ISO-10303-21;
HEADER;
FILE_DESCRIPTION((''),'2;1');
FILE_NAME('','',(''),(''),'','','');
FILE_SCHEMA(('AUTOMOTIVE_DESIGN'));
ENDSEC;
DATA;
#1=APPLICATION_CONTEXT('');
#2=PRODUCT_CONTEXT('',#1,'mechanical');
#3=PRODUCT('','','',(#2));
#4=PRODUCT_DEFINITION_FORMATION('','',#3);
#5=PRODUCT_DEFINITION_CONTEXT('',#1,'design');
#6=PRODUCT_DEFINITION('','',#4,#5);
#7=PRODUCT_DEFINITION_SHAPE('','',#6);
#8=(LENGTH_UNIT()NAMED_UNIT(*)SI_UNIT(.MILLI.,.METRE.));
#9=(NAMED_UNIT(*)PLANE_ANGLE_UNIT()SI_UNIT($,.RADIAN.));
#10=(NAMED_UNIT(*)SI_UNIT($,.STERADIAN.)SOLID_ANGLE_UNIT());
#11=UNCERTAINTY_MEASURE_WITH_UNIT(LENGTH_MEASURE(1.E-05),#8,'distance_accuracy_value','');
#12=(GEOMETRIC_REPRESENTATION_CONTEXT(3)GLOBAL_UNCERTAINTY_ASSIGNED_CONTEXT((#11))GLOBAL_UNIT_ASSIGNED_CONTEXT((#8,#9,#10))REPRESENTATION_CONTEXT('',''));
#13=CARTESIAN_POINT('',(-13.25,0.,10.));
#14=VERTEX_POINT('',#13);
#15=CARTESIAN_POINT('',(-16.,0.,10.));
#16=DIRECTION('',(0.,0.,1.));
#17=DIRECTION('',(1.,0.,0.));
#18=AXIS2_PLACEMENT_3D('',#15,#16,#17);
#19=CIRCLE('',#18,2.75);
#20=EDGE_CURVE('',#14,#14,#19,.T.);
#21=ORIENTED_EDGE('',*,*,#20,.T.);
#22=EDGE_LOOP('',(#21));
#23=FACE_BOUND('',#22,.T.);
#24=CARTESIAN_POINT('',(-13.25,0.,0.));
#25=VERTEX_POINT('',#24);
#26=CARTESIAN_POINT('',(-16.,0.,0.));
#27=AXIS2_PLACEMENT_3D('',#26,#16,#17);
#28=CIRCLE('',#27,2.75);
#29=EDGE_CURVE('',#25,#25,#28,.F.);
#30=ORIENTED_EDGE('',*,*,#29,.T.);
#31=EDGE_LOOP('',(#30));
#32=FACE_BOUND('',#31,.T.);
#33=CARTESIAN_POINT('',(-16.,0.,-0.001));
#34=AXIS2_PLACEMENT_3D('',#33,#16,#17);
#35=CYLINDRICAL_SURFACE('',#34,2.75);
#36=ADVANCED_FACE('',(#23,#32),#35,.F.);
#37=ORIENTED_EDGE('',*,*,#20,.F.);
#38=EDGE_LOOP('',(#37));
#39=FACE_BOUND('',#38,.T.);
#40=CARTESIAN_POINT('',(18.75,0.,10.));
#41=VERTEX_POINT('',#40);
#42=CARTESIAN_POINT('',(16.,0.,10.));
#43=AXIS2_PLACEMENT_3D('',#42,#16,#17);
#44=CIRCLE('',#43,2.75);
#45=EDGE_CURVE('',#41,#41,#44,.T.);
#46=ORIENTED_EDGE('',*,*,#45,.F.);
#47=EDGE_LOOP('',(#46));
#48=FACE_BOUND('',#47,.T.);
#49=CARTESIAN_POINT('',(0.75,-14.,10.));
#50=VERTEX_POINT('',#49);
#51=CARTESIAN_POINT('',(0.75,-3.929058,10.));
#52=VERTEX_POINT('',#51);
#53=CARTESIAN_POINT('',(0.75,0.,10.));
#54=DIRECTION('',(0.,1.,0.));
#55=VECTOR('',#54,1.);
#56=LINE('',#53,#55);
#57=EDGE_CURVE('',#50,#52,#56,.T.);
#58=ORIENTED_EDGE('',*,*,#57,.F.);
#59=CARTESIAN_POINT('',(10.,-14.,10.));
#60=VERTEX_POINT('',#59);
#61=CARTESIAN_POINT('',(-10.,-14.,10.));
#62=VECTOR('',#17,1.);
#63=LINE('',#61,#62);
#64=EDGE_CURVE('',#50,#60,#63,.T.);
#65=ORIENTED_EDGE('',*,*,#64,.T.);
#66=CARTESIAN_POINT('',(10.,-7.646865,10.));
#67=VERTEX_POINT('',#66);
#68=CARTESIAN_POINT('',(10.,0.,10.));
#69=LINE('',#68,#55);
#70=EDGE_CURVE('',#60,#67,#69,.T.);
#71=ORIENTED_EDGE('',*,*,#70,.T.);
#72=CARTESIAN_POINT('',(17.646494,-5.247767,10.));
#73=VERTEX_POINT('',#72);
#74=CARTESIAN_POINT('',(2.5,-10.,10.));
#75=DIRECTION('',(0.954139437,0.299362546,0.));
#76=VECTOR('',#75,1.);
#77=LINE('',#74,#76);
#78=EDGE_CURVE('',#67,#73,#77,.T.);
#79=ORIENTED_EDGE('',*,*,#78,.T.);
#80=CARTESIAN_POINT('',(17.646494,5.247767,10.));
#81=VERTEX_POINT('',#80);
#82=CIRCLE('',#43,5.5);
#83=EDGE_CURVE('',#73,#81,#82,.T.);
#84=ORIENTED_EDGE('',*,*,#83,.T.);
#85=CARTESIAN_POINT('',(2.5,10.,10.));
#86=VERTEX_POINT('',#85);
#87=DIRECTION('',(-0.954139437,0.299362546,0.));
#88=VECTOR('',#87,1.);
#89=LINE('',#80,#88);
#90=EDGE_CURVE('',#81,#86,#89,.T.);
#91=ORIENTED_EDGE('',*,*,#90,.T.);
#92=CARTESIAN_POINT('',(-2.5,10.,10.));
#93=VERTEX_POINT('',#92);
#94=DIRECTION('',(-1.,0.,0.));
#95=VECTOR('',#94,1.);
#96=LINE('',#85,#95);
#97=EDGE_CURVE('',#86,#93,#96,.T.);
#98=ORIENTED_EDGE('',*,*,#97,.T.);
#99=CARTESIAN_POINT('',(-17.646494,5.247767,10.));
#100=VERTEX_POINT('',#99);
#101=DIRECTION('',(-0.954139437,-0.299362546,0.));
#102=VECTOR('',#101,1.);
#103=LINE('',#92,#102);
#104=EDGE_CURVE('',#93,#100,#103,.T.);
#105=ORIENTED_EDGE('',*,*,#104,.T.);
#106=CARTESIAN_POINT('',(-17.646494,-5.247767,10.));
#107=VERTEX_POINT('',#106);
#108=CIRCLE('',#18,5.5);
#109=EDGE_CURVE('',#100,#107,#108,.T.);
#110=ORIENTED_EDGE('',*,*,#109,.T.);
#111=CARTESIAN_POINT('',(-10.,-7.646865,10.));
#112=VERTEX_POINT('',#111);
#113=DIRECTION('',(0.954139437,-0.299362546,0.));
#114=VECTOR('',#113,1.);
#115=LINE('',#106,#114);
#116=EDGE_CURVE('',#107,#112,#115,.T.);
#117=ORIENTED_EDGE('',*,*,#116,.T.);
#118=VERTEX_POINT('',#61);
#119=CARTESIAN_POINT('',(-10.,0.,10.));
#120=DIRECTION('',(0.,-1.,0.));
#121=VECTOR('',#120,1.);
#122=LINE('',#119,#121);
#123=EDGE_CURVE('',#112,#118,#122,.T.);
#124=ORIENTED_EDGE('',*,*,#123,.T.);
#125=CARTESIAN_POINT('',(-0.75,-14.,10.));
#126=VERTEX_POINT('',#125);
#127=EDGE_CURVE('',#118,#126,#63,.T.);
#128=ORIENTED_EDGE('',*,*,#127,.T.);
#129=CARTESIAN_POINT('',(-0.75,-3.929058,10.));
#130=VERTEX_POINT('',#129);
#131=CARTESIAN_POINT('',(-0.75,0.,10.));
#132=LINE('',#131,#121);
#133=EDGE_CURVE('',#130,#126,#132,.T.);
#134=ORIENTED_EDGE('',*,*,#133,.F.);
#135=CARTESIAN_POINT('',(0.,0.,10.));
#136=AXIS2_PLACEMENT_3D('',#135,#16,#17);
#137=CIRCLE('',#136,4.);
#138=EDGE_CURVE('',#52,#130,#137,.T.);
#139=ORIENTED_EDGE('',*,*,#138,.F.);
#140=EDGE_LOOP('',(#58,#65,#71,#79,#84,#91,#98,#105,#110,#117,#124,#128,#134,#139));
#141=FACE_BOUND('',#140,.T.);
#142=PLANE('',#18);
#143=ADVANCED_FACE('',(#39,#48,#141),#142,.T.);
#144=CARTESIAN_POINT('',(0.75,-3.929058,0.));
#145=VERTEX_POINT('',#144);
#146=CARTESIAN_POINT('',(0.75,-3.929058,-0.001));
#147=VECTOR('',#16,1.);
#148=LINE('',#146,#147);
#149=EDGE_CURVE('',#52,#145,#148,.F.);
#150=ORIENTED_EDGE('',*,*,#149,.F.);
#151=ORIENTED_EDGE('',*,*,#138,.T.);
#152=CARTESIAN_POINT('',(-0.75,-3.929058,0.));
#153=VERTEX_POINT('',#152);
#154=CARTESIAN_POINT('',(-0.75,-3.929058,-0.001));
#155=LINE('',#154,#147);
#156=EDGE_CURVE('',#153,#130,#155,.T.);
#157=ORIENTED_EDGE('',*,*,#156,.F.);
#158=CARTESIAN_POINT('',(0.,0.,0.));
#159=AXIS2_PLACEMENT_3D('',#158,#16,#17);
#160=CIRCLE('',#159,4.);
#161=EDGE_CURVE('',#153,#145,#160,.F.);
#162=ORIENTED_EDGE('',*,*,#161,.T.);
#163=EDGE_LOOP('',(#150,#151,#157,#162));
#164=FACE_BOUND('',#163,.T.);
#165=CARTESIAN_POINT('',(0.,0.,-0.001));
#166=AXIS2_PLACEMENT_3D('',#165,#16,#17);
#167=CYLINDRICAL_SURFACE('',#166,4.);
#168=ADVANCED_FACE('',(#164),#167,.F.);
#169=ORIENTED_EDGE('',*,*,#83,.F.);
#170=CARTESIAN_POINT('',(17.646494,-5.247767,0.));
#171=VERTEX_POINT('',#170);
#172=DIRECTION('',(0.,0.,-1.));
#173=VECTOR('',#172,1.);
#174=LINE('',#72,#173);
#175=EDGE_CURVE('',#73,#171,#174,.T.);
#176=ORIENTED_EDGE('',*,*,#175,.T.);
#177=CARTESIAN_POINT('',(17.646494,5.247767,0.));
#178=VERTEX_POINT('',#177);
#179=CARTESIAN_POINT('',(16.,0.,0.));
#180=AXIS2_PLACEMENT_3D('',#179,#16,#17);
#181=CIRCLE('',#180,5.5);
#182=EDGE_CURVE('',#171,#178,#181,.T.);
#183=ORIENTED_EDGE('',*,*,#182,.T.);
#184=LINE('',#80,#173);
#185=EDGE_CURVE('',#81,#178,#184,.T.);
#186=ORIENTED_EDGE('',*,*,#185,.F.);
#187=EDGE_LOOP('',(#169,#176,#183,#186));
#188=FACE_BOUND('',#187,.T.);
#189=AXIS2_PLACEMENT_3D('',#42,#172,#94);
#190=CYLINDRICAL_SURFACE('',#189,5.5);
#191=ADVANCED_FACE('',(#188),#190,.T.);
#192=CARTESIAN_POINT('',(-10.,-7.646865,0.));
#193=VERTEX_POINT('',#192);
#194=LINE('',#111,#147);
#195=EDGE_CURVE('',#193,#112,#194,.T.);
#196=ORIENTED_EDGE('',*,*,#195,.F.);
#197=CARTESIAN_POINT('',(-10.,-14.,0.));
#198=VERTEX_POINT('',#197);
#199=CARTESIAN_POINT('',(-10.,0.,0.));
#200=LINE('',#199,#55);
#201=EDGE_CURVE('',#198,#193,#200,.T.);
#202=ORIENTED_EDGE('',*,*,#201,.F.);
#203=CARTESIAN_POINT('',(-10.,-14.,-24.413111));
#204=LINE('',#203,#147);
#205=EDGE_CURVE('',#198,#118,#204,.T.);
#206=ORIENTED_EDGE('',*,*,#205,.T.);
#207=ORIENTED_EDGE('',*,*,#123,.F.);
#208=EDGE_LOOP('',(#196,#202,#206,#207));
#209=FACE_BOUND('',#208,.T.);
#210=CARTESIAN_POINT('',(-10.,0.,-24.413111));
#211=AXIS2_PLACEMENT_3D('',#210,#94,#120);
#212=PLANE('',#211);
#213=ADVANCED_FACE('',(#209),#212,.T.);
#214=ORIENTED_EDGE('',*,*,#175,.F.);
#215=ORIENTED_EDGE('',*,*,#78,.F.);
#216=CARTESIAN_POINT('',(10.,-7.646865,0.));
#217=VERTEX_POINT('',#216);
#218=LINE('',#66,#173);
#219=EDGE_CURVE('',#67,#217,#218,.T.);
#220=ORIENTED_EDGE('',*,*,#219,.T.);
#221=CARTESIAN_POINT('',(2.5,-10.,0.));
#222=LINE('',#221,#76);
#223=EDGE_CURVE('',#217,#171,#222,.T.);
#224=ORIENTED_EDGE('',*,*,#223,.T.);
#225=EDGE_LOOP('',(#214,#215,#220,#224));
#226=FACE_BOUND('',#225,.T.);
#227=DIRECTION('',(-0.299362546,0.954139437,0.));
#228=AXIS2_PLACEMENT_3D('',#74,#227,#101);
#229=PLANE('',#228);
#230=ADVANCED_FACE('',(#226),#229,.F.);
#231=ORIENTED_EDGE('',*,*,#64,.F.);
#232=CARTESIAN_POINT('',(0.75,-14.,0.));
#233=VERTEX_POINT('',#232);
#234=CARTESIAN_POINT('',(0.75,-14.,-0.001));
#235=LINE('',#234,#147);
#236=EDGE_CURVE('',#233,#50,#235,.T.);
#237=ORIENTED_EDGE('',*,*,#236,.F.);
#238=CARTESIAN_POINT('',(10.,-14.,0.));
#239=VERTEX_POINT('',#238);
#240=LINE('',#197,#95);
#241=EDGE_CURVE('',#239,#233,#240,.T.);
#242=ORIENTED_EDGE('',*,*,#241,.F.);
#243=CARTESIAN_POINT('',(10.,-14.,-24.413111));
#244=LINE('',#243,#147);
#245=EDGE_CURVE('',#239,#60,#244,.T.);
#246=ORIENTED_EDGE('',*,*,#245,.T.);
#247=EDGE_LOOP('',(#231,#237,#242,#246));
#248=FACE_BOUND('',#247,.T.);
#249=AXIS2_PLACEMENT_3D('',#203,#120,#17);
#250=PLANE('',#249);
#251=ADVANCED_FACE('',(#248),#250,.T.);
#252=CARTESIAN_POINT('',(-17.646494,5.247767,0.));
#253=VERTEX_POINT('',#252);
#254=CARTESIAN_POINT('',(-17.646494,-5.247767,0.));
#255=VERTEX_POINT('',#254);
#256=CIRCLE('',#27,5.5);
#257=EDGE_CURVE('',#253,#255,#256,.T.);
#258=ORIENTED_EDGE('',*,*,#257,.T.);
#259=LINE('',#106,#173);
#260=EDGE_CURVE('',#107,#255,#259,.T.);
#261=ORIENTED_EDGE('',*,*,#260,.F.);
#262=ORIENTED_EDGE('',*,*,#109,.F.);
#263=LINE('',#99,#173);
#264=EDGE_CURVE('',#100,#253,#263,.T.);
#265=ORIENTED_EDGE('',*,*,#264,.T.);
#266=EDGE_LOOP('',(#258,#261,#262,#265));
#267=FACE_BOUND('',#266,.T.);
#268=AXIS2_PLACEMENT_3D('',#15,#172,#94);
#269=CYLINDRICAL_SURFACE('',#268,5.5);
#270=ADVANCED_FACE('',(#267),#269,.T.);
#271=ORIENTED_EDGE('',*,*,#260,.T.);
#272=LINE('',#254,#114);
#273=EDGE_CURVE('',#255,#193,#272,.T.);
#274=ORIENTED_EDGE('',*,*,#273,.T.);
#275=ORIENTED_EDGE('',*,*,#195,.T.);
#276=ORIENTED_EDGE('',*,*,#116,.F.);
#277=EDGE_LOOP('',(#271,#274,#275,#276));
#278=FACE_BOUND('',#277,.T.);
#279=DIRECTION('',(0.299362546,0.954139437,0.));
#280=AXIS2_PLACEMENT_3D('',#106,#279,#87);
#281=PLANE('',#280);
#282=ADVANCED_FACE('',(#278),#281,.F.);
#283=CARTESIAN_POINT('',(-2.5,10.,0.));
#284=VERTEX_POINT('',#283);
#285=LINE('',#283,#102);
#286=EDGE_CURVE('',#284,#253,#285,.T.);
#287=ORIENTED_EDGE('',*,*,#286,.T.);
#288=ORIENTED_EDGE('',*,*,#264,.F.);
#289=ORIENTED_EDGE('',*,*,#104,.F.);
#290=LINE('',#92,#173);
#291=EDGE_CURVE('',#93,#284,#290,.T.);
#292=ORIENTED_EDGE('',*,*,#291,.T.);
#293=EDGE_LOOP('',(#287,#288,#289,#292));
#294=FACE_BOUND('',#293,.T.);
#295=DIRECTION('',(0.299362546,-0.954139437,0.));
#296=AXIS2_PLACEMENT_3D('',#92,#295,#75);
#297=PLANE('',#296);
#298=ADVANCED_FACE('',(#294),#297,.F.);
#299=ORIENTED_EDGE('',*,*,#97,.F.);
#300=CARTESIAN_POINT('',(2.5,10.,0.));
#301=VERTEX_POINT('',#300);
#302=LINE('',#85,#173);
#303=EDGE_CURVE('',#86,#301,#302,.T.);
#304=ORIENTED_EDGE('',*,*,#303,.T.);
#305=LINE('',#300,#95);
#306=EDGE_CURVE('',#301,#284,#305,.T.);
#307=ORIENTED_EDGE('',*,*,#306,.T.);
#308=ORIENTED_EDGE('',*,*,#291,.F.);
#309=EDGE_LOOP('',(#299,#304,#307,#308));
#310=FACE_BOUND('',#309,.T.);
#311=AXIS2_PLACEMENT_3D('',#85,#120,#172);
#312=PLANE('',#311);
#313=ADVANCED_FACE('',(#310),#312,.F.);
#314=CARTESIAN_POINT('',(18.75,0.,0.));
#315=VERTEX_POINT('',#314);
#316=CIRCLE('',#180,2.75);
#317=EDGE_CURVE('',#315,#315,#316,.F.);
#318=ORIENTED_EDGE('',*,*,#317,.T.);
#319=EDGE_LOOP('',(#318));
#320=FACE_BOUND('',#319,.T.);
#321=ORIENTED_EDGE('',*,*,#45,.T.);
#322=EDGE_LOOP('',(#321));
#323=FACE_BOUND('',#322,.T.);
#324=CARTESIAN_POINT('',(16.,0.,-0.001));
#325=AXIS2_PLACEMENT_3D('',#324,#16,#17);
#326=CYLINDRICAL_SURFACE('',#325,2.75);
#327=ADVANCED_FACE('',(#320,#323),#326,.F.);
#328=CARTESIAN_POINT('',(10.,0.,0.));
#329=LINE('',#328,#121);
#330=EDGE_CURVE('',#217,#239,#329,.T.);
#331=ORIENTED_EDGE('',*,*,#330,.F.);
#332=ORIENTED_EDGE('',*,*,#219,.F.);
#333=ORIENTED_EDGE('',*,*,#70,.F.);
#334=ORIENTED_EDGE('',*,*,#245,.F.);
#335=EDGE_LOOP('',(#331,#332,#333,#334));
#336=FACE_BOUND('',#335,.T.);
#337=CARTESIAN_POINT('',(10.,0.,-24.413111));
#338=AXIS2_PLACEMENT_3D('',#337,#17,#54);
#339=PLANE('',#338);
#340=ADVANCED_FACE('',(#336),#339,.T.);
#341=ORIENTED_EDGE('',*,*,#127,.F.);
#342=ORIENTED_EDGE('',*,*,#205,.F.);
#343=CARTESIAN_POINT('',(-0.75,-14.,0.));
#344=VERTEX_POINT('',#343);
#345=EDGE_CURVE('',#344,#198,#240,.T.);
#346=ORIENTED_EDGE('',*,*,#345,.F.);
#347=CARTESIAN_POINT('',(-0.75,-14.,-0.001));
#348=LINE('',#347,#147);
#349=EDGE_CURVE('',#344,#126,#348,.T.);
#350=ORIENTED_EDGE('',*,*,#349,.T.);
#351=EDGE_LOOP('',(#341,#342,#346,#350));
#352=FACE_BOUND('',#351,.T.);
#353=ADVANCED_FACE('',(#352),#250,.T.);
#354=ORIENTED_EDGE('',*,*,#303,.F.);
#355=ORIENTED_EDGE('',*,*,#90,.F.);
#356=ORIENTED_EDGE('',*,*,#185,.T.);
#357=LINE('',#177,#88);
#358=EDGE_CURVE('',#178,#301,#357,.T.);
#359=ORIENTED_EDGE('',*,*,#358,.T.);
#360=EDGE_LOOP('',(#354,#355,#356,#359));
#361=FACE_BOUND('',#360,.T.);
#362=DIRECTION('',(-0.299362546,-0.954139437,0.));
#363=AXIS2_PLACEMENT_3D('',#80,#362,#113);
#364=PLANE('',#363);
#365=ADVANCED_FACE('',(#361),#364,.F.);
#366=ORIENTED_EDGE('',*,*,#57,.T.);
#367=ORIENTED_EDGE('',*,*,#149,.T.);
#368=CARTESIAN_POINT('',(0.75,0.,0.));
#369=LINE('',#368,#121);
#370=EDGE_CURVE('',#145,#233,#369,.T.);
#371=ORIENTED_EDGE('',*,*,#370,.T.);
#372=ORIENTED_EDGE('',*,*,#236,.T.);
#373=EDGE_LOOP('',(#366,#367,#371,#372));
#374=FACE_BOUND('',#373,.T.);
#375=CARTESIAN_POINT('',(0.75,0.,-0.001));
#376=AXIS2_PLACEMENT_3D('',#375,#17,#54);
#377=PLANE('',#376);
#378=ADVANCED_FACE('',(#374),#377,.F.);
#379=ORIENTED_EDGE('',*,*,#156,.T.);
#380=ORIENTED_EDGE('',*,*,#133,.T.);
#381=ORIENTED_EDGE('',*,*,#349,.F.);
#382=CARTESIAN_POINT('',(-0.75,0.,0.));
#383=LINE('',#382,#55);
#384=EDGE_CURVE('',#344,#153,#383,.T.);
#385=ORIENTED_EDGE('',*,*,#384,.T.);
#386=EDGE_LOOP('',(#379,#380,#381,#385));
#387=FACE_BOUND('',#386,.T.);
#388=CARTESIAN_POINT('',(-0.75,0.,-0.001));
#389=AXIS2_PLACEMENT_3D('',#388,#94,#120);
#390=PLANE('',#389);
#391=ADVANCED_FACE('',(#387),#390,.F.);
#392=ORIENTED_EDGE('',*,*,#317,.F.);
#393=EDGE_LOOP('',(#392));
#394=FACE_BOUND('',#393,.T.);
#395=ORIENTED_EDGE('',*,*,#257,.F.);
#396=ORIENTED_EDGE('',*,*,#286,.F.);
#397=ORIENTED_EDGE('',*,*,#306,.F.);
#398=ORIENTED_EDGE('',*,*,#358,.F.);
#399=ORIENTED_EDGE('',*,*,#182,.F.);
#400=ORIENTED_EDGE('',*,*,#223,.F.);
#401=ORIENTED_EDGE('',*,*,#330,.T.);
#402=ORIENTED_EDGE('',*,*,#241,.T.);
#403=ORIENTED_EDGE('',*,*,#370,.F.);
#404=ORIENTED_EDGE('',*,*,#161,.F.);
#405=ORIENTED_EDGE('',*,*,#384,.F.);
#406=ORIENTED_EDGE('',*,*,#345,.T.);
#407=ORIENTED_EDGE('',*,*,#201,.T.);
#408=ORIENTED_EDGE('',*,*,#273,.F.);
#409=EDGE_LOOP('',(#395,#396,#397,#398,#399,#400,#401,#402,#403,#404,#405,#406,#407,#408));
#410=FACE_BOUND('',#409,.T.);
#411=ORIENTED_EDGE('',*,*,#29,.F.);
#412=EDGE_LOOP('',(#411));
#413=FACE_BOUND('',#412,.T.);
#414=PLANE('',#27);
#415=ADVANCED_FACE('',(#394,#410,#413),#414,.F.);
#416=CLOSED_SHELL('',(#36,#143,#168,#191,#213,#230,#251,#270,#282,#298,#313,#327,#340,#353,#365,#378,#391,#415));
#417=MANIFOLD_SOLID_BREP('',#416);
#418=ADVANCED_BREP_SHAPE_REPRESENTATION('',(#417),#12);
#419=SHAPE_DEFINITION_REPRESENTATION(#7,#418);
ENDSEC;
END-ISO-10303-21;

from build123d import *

# Parameters (mm, degrees)
EXTRUDE_1_DEPTH     = 10
SKETCH_2_W          = 20
SKETCH_2_H          = 14
EXTRUDE_2_DEPTH     = 10
CUT_EXTRUDE_1_REACH = 29.536
SKETCH_3_R          = 4
SKETCH_3_R_2        = 2.75
CUT_EXTRUDE_2_REACH = 29.536
SKETCH_4_W          = 1.5
SKETCH_4_H          = 14


with BuildPart() as part:
    # 草图1 → 凸台-拉伸1 (new body)
    with BuildSketch(Plane.XY):
        with BuildLine():
            Line((-17.646494004, -5.247766906), (-2.5, -10))
            Line((-2.5, -10), (2.5, -10))
            Line((2.5, -10), (17.646494004, -5.247766906))
            ThreePointArc((17.646494004, -5.247766906), (21.5, 0), (17.646494004, 5.247766906))
            Line((17.646494004, 5.247766906), (2.5, 10))
            Line((2.5, 10), (-2.5, 10))
            Line((-2.5, 10), (-17.646494004, 5.247766906))
            ThreePointArc((-17.646494004, 5.247766906), (-21.5, 0), (-17.646494004, -5.247766906))
        make_face()
    extrude(amount=EXTRUDE_1_DEPTH)

    # 草图2 → 凸台-拉伸2 (add)
    with BuildSketch(Plane.XY.offset(10)):
        with Locations((0, -7)):
            Rectangle(SKETCH_2_W, SKETCH_2_H)
    extrude(amount=-EXTRUDE_2_DEPTH)

    # 草图3 → 切除-拉伸1 (cut, up to next)
    with BuildSketch(Plane.XY.offset(10), mode=Mode.PRIVATE) as cut_extrude_1_sk1:
        Circle(SKETCH_3_R)
    cut_extrude_1_tool1 = extrude(cut_extrude_1_sk1.sketch, amount=-CUT_EXTRUDE_1_REACH, mode=Mode.PRIVATE) & part.part
    # 草图3 → 切除-拉伸1 (cut, up to next)
    with BuildSketch(Plane.XY.offset(10), mode=Mode.PRIVATE) as cut_extrude_1_sk2:
        with Locations((-16, 0)):
            Circle(SKETCH_3_R_2)
    cut_extrude_1_tool2 = extrude(cut_extrude_1_sk2.sketch, amount=-CUT_EXTRUDE_1_REACH, mode=Mode.PRIVATE) & part.part
    # 草图3 → 切除-拉伸1 (cut, up to next)
    with BuildSketch(Plane.XY.offset(10), mode=Mode.PRIVATE) as cut_extrude_1_sk3:
        with Locations((16, 0)):
            Circle(SKETCH_3_R_2)
    cut_extrude_1_tool3 = extrude(cut_extrude_1_sk3.sketch, amount=-CUT_EXTRUDE_1_REACH, mode=Mode.PRIVATE) & part.part
    add(cut_extrude_1_tool1.solids().sort_by_distance((0, 0, 10))[0], mode=Mode.SUBTRACT)
    add(cut_extrude_1_tool2.solids().sort_by_distance((-16, 0, 10))[0], mode=Mode.SUBTRACT)
    add(cut_extrude_1_tool3.solids().sort_by_distance((16, 0, 10))[0], mode=Mode.SUBTRACT)

    # 草图4 → 切除-拉伸2 (cut, up to next)
    with BuildSketch(Plane.XY.offset(10), mode=Mode.PRIVATE) as cut_extrude_2_sk1:
        with Locations((0, -7)):
            Rectangle(SKETCH_4_W, SKETCH_4_H)
    cut_extrude_2_tool1 = extrude(cut_extrude_2_sk1.sketch, amount=-CUT_EXTRUDE_2_REACH, mode=Mode.PRIVATE) & part.part
    add(cut_extrude_2_tool1.solids().sort_by_distance((0, -7, 10))[0], mode=Mode.SUBTRACT)


solid = part.part
